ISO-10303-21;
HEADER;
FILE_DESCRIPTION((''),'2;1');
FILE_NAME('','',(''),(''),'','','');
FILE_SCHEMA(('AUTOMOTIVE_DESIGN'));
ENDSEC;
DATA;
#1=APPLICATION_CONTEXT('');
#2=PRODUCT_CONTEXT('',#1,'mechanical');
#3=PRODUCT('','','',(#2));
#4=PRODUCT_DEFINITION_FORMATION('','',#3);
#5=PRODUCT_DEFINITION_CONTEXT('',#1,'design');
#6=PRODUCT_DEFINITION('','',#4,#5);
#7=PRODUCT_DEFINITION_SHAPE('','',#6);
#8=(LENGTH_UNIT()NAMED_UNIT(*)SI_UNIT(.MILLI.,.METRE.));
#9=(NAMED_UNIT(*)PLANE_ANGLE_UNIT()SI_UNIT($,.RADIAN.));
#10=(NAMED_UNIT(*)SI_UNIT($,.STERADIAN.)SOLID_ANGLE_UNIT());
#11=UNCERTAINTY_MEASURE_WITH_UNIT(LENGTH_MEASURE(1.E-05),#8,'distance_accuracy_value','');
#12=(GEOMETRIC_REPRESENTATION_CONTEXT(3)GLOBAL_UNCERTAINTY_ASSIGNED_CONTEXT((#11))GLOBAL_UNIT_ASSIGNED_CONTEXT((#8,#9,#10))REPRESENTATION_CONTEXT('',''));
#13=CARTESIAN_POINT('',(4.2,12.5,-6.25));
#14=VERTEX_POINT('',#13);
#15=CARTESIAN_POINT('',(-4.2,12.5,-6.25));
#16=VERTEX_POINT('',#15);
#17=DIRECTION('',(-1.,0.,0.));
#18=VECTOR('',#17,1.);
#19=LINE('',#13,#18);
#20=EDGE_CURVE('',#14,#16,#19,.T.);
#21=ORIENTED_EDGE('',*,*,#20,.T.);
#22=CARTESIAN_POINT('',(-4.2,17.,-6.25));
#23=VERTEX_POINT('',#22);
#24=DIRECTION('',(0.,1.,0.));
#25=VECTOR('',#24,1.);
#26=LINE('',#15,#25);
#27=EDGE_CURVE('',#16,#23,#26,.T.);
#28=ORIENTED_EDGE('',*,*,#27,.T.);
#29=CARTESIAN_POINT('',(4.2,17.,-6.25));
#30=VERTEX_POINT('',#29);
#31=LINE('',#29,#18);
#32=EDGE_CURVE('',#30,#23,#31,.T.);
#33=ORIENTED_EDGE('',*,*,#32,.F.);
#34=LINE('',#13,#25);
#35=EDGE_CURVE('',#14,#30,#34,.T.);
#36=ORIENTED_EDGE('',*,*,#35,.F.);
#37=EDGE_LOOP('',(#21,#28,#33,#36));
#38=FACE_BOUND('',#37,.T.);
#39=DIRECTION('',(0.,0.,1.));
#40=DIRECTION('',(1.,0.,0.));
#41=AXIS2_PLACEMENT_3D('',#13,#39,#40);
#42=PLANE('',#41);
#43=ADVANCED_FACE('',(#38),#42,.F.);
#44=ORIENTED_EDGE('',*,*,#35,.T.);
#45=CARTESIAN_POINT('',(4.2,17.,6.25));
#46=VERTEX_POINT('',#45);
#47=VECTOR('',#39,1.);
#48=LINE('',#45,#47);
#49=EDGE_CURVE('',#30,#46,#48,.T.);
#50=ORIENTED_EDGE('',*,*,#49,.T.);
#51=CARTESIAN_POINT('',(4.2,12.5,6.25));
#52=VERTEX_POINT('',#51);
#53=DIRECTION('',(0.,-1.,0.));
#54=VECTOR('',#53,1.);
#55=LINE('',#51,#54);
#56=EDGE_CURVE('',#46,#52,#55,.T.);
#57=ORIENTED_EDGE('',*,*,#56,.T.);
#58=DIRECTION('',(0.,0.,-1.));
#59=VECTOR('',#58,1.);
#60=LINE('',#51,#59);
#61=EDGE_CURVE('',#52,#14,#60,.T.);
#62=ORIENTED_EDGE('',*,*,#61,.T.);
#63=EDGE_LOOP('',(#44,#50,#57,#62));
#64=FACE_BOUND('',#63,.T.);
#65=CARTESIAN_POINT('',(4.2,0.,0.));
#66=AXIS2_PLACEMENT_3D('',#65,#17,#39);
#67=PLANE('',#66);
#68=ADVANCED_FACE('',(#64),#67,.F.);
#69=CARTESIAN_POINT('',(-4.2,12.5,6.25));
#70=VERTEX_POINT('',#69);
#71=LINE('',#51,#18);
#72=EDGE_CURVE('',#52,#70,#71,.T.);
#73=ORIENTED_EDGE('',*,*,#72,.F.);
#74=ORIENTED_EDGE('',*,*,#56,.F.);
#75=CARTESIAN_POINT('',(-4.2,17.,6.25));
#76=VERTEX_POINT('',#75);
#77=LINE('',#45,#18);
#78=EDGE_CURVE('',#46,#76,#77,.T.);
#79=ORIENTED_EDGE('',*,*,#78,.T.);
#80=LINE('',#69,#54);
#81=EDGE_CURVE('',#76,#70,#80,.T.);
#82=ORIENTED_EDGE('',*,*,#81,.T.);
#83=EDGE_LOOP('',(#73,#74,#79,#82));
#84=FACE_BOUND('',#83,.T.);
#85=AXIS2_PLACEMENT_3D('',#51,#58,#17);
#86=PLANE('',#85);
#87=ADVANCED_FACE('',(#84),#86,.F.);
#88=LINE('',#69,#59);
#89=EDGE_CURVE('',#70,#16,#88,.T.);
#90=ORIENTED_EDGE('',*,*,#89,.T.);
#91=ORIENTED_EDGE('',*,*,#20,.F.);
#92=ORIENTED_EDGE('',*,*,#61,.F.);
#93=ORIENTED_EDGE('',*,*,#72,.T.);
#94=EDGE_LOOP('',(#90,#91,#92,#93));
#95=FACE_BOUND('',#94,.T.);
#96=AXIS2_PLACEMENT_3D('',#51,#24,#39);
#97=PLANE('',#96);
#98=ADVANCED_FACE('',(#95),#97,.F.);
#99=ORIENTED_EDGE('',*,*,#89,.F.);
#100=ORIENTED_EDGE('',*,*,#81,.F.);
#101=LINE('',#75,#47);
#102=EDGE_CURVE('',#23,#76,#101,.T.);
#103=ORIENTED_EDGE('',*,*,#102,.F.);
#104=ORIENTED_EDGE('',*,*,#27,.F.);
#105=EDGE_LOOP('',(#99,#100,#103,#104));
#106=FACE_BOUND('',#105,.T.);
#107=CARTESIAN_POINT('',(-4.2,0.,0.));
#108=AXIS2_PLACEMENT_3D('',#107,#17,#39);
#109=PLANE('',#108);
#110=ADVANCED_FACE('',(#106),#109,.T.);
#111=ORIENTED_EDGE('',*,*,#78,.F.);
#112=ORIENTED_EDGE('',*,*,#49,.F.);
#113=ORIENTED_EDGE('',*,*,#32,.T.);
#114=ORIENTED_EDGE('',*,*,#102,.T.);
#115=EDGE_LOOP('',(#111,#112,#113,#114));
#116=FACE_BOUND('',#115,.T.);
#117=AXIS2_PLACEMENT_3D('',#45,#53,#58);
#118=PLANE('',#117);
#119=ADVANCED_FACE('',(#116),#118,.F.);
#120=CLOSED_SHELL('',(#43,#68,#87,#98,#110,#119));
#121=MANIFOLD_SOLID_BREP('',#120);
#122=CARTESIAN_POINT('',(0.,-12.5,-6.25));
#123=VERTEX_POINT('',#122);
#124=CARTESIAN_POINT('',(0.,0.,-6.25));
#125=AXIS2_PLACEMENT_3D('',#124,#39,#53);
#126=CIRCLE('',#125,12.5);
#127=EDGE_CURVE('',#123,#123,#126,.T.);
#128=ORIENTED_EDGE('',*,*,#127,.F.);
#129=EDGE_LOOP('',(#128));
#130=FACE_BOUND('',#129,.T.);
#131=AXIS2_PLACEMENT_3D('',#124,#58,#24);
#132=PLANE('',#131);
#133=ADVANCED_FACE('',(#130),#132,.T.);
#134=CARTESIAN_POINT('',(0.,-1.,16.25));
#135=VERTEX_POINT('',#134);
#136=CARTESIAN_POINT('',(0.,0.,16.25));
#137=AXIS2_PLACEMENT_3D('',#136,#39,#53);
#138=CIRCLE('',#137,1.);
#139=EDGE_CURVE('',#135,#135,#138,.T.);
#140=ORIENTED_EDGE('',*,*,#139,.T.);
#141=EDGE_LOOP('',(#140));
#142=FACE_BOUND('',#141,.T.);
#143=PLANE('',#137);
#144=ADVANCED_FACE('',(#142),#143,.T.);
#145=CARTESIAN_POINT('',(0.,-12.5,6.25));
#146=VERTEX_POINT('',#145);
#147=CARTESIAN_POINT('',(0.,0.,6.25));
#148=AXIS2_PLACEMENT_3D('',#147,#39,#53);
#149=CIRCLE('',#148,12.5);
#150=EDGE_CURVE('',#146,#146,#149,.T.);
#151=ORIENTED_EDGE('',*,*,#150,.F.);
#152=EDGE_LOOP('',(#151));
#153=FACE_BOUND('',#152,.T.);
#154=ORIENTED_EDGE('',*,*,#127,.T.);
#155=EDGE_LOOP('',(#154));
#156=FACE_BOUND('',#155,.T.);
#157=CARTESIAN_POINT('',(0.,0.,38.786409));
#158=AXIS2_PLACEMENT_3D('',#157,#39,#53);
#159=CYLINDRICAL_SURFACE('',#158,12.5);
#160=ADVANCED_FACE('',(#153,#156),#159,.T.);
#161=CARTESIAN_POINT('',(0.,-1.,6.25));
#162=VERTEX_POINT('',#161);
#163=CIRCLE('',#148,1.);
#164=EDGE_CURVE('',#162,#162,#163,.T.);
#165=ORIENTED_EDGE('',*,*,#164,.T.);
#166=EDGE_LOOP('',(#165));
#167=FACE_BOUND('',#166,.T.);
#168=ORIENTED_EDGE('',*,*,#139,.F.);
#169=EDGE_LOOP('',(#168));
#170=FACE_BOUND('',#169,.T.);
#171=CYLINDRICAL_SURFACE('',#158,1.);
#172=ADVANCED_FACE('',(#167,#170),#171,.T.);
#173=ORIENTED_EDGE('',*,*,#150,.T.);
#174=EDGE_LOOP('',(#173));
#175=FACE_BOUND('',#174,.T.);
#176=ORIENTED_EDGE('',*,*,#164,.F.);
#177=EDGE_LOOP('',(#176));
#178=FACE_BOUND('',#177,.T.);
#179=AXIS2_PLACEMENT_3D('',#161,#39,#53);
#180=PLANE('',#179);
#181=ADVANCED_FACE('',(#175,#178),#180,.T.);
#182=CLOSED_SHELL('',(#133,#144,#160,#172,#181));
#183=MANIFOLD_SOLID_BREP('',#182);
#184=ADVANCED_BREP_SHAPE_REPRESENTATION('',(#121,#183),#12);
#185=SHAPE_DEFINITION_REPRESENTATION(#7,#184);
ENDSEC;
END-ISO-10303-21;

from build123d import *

# Parameters (mm, degrees)
CROQUIS3_W              = 12.5
CROQUIS3_H              = 4.5
SALIENTE_EXTRUIR1_DEPTH = 4.2


with BuildPart() as part:
    # Croquis2 → Revolución1 (revolve)
    with BuildSketch(Plane(origin=(0, 0, 0), x_dir=(0, 0, -1), z_dir=(1, 0, 0))):
        Polygon((-6.25, 0), (6.25, 0), (6.25, -12.5), (-6.25, -12.5), (-6.25, -1), (-16.25, -1), (-16.25, 0), align=None)
    revolve(axis=Axis((0, 0, 38.786408624), (0, 0, -1)))


with BuildPart() as body_2:
    # Croquis3 → Saliente-Extruir1 (new, symmetric)
    with BuildSketch(Plane(origin=(0, 0, 0), x_dir=(0, 0, -1), z_dir=(1, 0, 0))):
        with Locations((0, 14.75)):
            Rectangle(CROQUIS3_W, CROQUIS3_H)
    extrude(amount=SALIENTE_EXTRUIR1_DEPTH, both=True)


solid = Compound([part.part, body_2.part])
